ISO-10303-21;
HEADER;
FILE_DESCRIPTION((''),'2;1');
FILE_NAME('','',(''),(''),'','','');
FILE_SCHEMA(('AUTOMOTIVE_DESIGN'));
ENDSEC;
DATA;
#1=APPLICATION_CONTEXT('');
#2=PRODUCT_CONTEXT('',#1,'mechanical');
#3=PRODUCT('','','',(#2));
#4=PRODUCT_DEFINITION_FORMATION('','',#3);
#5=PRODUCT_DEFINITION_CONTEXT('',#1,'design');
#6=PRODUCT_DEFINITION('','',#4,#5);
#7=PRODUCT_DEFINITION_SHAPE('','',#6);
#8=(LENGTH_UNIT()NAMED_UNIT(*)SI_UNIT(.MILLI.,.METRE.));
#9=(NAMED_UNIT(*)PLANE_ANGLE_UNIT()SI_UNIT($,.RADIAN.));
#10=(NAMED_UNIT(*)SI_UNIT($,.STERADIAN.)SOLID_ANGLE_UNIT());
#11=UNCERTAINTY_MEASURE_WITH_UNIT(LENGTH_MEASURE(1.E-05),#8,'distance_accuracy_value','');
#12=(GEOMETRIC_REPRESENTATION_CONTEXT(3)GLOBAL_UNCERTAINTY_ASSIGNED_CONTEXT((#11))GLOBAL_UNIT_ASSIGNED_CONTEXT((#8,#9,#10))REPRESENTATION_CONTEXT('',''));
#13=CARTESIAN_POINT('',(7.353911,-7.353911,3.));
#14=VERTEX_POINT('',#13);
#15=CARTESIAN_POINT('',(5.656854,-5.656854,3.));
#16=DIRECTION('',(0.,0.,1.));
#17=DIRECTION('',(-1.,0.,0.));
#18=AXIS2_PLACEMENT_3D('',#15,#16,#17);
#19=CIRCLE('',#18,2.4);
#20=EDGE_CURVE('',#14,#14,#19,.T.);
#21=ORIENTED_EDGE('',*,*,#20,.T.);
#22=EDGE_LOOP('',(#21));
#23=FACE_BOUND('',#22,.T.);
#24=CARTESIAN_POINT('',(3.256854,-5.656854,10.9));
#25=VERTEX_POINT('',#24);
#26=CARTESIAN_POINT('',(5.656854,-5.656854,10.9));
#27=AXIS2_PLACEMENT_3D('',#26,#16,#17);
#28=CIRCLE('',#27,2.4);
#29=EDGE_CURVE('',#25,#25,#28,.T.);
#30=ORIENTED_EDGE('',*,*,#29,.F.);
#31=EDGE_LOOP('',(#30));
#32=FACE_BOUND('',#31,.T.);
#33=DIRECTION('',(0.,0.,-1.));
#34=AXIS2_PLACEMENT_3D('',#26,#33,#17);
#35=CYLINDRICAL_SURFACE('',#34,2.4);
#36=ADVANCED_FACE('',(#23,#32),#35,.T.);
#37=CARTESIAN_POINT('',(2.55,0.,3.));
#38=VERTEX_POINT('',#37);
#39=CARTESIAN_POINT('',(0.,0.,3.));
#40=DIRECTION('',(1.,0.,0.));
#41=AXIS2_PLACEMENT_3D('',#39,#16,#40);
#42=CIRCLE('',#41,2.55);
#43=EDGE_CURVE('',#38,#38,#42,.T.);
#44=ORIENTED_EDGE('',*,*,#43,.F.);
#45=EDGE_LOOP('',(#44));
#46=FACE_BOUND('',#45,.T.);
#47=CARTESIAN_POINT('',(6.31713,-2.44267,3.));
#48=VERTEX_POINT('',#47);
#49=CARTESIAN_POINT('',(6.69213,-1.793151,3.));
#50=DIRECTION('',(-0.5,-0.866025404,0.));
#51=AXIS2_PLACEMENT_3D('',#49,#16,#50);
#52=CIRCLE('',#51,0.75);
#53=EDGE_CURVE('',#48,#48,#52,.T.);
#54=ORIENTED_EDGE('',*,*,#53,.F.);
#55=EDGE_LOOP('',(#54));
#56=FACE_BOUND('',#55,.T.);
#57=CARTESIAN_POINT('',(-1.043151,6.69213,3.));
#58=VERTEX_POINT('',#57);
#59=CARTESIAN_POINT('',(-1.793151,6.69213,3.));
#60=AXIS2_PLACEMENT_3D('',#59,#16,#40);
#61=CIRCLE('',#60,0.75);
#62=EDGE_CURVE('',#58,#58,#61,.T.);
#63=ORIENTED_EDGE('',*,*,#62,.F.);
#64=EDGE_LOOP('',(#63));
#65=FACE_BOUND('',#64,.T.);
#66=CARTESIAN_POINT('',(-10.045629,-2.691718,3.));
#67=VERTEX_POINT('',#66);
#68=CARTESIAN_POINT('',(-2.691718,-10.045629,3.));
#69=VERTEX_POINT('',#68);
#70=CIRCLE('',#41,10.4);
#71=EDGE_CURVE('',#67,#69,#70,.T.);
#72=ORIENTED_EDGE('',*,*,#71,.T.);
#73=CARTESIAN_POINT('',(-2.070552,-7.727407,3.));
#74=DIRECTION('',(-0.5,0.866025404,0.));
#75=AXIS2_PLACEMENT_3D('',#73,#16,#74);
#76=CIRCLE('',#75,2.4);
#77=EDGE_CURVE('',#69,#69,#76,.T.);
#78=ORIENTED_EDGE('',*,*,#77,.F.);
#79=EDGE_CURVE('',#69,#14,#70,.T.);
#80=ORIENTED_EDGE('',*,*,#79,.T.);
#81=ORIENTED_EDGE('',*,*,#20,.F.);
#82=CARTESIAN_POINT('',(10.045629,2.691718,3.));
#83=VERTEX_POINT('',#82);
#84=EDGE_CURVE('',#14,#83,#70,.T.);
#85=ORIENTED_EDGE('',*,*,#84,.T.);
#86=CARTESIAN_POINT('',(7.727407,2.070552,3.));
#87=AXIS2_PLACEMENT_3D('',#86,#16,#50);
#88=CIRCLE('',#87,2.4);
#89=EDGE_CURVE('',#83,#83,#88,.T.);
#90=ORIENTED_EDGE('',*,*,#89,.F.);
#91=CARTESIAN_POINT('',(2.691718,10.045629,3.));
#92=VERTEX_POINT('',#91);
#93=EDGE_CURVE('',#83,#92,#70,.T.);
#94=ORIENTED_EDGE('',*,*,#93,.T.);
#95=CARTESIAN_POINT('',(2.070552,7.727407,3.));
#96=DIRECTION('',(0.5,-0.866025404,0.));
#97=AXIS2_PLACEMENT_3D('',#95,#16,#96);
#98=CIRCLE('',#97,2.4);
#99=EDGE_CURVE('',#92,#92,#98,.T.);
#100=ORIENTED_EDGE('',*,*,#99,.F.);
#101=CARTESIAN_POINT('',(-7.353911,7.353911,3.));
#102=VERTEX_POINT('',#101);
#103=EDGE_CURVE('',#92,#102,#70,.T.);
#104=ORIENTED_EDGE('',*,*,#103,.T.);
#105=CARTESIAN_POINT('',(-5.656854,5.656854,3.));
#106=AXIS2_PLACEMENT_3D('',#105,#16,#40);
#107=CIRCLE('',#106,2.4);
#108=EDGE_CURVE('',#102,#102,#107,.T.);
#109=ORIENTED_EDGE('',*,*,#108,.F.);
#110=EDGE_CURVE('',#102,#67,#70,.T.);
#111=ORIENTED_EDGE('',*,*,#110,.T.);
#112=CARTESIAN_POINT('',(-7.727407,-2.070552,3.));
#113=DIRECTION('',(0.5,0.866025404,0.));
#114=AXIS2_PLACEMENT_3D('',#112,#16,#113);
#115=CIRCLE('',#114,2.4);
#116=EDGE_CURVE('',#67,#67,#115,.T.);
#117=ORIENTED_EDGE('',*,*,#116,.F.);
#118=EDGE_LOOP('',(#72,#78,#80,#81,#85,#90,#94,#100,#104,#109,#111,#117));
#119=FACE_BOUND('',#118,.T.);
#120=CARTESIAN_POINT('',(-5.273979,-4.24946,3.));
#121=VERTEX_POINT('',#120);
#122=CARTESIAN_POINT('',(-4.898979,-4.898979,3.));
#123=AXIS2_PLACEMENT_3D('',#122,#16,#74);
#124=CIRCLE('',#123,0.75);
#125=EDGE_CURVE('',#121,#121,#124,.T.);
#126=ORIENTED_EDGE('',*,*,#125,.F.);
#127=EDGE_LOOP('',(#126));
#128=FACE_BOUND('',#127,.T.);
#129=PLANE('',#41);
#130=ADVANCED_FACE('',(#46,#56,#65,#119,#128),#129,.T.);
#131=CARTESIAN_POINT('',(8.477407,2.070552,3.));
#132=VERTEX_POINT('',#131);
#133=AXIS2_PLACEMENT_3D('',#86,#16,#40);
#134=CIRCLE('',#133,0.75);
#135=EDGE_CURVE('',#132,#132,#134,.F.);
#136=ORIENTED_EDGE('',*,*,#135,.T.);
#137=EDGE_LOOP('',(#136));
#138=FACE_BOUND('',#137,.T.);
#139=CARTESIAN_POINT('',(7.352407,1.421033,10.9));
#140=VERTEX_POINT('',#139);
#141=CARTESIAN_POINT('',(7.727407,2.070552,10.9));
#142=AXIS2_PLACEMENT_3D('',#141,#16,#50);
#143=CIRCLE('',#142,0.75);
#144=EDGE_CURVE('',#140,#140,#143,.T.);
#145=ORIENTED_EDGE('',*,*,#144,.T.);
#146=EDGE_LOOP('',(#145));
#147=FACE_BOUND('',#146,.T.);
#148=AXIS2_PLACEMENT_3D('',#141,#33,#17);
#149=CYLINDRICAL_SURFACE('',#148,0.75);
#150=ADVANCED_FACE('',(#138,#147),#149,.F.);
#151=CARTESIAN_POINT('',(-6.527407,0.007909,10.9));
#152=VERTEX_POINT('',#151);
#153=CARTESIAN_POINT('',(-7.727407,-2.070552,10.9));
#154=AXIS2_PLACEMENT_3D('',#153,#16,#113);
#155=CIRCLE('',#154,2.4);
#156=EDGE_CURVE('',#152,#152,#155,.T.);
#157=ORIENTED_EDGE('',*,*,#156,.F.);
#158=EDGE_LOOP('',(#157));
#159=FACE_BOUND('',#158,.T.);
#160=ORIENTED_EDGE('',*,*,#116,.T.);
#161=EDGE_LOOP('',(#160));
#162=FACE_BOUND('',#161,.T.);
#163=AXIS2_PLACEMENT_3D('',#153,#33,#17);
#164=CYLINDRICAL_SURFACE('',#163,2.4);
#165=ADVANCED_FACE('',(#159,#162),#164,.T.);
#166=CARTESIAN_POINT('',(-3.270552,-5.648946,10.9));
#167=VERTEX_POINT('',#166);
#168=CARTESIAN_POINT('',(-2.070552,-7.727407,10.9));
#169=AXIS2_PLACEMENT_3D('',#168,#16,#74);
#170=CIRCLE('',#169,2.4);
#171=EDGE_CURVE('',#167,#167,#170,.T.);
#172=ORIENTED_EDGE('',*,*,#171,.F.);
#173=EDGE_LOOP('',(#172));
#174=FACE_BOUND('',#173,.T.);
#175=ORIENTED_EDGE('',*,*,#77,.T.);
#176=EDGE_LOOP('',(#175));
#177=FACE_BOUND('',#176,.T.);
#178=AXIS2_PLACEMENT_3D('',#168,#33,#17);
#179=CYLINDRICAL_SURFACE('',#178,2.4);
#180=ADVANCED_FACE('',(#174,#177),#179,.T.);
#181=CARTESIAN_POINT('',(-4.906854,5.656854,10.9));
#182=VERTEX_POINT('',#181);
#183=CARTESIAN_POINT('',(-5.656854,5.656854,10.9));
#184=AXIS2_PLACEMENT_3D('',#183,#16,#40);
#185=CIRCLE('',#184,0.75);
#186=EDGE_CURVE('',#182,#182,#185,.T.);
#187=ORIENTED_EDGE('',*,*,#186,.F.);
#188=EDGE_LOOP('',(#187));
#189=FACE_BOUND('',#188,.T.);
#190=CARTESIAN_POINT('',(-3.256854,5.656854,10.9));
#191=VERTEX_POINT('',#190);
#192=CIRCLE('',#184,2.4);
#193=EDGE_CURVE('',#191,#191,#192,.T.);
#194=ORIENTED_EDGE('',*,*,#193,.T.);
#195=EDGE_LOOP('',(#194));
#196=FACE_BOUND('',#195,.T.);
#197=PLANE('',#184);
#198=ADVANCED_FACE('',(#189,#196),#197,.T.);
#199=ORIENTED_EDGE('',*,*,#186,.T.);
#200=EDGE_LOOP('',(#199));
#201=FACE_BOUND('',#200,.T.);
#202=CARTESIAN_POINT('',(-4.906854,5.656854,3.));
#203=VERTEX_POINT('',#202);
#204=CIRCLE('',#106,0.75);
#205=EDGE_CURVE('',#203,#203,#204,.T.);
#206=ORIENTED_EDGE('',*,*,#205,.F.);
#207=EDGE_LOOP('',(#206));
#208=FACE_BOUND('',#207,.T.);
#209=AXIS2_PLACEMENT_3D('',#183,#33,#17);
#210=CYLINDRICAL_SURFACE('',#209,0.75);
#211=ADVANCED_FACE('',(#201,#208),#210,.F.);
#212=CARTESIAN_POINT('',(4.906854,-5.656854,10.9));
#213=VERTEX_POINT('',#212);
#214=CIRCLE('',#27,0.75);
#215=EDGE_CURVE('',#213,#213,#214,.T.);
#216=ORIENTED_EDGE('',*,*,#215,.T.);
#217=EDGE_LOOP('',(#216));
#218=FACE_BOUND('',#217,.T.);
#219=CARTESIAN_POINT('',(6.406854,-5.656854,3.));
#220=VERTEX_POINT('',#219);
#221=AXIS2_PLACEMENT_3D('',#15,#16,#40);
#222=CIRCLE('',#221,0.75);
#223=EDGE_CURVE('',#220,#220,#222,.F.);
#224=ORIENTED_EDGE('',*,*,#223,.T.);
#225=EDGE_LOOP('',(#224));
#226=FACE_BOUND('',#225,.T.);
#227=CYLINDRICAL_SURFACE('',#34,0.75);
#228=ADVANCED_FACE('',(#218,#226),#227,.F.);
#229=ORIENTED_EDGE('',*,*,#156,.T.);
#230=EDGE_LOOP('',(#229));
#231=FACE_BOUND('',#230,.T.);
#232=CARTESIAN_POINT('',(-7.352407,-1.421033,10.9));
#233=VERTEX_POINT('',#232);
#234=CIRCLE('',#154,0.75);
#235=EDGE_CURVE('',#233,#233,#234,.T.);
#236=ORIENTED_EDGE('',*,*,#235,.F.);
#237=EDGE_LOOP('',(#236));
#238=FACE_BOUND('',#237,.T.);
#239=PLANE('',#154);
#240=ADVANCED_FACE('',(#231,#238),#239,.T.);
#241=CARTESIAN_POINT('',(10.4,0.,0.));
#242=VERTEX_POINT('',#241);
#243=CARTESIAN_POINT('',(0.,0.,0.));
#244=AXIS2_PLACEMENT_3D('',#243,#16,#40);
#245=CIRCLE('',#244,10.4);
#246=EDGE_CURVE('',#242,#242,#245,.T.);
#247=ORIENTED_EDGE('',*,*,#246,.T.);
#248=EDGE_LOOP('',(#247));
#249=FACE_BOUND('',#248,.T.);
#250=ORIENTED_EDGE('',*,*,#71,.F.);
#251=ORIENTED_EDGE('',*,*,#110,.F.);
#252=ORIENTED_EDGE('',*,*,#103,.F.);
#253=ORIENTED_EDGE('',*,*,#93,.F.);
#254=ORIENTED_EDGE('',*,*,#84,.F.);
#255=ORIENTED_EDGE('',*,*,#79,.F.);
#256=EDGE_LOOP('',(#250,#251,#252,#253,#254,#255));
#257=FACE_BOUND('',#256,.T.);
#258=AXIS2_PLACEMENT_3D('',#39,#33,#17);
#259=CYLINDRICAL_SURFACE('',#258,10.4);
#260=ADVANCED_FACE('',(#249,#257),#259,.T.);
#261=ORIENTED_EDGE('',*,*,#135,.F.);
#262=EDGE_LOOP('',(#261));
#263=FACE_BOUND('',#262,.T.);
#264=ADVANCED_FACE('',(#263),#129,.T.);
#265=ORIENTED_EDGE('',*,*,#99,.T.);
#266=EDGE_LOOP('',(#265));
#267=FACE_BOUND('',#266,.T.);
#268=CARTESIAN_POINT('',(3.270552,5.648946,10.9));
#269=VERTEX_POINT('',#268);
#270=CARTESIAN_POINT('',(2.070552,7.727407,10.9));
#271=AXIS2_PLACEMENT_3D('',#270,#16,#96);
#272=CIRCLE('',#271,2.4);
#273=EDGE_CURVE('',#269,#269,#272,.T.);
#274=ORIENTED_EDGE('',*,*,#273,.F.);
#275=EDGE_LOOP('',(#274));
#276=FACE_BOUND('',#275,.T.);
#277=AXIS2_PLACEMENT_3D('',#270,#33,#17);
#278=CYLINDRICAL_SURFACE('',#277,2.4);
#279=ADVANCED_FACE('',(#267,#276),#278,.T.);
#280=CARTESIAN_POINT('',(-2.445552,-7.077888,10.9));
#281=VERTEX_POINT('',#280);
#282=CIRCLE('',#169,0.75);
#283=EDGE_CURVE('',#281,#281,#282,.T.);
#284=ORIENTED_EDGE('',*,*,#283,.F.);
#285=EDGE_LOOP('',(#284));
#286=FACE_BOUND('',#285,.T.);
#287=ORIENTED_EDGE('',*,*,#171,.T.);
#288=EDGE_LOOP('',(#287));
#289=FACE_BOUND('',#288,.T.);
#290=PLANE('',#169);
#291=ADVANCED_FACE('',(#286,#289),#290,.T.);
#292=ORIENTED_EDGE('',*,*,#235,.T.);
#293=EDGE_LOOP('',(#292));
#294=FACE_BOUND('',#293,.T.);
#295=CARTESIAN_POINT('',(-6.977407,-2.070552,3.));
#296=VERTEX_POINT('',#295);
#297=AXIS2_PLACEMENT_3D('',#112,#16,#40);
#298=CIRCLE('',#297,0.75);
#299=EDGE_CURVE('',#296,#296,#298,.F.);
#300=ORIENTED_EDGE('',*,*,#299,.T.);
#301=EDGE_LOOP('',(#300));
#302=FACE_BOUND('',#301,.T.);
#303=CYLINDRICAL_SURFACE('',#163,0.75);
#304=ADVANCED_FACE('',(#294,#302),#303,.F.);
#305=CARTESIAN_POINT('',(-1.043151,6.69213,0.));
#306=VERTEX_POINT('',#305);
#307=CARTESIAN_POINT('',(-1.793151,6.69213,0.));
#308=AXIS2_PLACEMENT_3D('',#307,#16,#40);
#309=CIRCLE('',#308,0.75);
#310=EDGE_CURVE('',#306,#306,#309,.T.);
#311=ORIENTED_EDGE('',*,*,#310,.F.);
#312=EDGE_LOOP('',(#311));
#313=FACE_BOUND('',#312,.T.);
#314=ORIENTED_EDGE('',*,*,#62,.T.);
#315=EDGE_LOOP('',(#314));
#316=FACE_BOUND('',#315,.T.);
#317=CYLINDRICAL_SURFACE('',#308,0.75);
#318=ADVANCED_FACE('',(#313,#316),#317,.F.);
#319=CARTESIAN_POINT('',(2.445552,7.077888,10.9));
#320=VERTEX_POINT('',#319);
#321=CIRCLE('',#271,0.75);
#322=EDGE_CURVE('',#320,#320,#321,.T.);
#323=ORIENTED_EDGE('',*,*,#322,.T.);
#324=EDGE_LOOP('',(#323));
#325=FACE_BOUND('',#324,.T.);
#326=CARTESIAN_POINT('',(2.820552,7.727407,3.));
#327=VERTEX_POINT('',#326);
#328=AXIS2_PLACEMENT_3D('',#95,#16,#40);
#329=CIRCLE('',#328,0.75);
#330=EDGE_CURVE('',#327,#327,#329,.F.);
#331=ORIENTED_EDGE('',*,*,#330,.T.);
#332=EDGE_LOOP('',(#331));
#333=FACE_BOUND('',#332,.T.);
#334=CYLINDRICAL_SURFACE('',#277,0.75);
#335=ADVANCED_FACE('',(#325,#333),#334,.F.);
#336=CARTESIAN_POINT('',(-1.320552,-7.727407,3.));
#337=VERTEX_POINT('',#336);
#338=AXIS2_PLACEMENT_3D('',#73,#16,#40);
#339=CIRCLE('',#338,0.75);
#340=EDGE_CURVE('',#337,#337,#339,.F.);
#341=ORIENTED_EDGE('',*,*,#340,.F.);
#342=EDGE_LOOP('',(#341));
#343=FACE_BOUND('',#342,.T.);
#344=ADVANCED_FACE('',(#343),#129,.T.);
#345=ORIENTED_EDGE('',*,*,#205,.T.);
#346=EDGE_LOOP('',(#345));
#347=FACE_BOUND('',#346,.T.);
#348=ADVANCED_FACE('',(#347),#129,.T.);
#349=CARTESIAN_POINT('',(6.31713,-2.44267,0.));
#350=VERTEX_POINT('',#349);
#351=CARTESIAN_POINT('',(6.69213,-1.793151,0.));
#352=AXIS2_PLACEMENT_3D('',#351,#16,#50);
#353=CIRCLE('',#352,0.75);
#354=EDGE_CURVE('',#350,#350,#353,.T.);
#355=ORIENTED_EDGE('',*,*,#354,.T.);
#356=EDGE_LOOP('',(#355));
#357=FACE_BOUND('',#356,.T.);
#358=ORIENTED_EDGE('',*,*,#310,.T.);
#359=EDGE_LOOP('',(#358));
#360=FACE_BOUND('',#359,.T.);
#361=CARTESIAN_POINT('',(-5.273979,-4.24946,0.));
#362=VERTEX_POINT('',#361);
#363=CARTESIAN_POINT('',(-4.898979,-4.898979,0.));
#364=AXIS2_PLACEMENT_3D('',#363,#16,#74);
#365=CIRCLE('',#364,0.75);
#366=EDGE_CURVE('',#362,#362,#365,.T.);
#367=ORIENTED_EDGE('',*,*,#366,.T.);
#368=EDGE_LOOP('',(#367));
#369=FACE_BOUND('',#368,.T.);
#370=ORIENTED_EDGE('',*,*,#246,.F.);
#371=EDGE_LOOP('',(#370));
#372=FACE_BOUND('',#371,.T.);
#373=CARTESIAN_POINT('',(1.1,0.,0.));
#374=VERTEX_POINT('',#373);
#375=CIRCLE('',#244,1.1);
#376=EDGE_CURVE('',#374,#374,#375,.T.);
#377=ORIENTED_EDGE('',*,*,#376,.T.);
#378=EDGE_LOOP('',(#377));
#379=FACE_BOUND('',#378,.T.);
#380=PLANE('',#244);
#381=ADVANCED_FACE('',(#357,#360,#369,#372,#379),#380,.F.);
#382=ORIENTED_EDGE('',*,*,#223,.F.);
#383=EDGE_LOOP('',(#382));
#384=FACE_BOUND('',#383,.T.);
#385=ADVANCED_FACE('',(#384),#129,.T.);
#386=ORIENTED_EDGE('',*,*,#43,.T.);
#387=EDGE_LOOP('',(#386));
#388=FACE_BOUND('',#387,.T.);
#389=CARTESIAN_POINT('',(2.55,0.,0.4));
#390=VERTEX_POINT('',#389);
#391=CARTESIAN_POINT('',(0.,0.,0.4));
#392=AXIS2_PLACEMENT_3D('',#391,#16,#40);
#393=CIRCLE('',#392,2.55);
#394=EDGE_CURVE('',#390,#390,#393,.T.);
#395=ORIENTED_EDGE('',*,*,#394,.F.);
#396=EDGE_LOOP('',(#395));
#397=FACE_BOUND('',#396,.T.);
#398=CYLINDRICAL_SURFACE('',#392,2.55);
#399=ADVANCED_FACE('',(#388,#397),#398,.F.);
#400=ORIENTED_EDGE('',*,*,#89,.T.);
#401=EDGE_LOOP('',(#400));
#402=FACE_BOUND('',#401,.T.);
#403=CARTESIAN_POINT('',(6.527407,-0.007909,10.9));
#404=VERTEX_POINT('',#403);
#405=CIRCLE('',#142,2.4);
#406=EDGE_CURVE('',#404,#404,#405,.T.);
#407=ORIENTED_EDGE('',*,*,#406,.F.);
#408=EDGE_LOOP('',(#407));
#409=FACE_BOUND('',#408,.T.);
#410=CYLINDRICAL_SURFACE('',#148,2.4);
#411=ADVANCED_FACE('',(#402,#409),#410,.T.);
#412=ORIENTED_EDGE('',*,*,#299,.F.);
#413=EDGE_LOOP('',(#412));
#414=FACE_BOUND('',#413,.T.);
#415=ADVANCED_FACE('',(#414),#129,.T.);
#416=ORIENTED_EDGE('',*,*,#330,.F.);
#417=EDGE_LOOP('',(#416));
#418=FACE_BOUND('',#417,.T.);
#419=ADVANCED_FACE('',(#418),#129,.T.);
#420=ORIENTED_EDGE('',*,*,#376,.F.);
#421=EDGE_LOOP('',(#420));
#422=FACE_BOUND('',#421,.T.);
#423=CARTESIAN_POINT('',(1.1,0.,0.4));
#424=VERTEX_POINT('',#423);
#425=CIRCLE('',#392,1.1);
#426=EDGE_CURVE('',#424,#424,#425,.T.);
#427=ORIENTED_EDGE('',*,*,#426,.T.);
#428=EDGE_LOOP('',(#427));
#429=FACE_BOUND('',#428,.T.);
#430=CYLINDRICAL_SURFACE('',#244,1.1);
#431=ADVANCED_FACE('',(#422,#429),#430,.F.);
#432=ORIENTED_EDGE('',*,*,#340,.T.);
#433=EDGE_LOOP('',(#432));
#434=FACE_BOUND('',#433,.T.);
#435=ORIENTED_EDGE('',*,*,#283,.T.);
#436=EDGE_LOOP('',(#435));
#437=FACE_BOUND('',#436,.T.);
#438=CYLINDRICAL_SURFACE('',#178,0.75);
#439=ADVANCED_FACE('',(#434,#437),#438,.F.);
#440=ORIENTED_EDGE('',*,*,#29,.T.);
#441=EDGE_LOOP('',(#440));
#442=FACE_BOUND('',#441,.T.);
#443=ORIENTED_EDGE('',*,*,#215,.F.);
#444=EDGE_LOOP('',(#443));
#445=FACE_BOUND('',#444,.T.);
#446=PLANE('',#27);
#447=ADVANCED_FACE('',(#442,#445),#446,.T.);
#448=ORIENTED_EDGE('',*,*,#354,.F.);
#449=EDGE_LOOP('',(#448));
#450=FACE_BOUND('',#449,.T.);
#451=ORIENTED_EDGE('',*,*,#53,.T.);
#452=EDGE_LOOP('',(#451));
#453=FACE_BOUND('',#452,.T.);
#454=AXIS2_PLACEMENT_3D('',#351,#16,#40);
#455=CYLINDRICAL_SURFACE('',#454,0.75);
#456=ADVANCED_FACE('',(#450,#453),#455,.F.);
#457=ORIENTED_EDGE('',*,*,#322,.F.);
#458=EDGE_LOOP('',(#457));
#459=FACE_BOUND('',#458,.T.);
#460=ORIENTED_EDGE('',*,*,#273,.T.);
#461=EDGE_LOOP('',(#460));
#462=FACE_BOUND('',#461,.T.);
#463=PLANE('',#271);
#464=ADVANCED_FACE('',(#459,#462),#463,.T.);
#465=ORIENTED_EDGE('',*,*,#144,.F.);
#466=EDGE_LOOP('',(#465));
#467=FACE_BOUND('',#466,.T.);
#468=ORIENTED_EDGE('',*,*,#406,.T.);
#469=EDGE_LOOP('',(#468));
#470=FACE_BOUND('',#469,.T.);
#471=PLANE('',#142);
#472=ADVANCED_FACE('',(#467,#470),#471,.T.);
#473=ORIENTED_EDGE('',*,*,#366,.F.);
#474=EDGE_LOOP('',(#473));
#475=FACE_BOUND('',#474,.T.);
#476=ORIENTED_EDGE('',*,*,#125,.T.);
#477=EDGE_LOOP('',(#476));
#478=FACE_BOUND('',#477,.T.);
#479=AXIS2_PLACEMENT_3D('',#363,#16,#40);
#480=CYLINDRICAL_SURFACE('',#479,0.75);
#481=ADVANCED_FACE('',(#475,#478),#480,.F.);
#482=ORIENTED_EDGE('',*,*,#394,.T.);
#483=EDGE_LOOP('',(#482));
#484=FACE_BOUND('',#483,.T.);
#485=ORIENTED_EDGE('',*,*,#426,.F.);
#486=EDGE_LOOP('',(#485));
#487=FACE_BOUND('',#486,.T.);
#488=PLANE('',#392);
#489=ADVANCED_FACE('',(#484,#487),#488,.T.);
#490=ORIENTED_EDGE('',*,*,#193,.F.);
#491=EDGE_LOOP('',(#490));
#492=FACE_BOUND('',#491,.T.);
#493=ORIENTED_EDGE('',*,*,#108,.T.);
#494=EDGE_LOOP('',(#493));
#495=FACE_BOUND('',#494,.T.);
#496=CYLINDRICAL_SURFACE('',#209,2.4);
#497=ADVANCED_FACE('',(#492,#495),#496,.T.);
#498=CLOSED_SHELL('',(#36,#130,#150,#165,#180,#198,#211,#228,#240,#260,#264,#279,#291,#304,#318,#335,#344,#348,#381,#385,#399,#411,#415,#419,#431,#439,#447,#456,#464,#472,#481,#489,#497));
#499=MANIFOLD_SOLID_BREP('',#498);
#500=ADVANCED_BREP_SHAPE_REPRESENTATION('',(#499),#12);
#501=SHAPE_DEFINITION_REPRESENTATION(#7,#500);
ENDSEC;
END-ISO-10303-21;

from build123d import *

# Parameters (mm, degrees)
SKETCH_1_R               = 10.4
EXTRUDE_1_DEPTH          = 3
SKETCH_3_R               = 2.4
SKETCH_3_R_2             = 0.75
EXTRUDE_3_DEPTH          = 7.9
PATTERN_CIRCULAR_1_COUNT = 6
SKETCH_4_R               = 0.75
CUT_EXTRUDE_1_DEPTH      = 17.695208894
PATTERN_CIRCULAR_2_COUNT = 3
SKETCH_5_R               = 1.1
CUT_EXTRUDE_2_DEPTH      = 17.695208894
SKETCH_5_4_R             = 2.55
SKETCH_5_4_R_2           = 1.1
CUT_EXTRUDE_3_DEPTH      = 2.6


with BuildPart() as part:
    # 草图1 → 凸台-拉伸1 (new body)
    with BuildSketch(Plane.XY):
        Circle(SKETCH_1_R)
    extrude(amount=EXTRUDE_1_DEPTH)

    # 草图3 → 凸台-拉伸3 (add)
    with BuildSketch(Plane.XY.offset(3)):
        with Locations((-5.656854249, 5.656854249)):
            Circle(SKETCH_3_R)
        with Locations((-5.656854249, 5.656854249)):
            Circle(SKETCH_3_R_2, mode=Mode.SUBTRACT)
    extrude_3 = extrude(amount=EXTRUDE_3_DEPTH)

    # 阵列(圆周)1: 凸台-拉伸3 ×6 about axis
    pattern_circular_1_axis = Axis((0, 0, 3), (0, 0, -1))
    for i in range(1, PATTERN_CIRCULAR_1_COUNT):
        add(extrude_3.rotate(pattern_circular_1_axis, i * 360 / PATTERN_CIRCULAR_1_COUNT))

    # 草图4 → 切除-拉伸1 (cut, through all)
    with BuildSketch(Plane.XY.offset(3)):
        with Locations((-1.793150944, 6.69213043)):
            Circle(SKETCH_4_R)
    cut_extrude_1 = extrude(amount=-CUT_EXTRUDE_1_DEPTH, mode=Mode.SUBTRACT)

    # 阵列(圆周)2: 切除-拉伸1 ×3 about axis
    pattern_circular_2_axis = Axis((0, 0, 3), (0, 0, -1))
    for i in range(1, PATTERN_CIRCULAR_2_COUNT):
        add(cut_extrude_1.rotate(pattern_circular_2_axis, i * 360 / PATTERN_CIRCULAR_2_COUNT), mode=Mode.SUBTRACT)

    # 草图5 → 切除-拉伸2 (cut, through all)
    with BuildSketch(Plane.XY.offset(3)):
        Circle(SKETCH_5_R)
    extrude(amount=-CUT_EXTRUDE_2_DEPTH, mode=Mode.SUBTRACT)

    # 草图5<4> → 切除-拉伸3 (cut)
    with BuildSketch(Plane.XY.offset(3)):
        Circle(SKETCH_5_4_R)
        Circle(SKETCH_5_4_R_2, mode=Mode.SUBTRACT)
    extrude(amount=-CUT_EXTRUDE_3_DEPTH, mode=Mode.SUBTRACT)


solid = part.part
